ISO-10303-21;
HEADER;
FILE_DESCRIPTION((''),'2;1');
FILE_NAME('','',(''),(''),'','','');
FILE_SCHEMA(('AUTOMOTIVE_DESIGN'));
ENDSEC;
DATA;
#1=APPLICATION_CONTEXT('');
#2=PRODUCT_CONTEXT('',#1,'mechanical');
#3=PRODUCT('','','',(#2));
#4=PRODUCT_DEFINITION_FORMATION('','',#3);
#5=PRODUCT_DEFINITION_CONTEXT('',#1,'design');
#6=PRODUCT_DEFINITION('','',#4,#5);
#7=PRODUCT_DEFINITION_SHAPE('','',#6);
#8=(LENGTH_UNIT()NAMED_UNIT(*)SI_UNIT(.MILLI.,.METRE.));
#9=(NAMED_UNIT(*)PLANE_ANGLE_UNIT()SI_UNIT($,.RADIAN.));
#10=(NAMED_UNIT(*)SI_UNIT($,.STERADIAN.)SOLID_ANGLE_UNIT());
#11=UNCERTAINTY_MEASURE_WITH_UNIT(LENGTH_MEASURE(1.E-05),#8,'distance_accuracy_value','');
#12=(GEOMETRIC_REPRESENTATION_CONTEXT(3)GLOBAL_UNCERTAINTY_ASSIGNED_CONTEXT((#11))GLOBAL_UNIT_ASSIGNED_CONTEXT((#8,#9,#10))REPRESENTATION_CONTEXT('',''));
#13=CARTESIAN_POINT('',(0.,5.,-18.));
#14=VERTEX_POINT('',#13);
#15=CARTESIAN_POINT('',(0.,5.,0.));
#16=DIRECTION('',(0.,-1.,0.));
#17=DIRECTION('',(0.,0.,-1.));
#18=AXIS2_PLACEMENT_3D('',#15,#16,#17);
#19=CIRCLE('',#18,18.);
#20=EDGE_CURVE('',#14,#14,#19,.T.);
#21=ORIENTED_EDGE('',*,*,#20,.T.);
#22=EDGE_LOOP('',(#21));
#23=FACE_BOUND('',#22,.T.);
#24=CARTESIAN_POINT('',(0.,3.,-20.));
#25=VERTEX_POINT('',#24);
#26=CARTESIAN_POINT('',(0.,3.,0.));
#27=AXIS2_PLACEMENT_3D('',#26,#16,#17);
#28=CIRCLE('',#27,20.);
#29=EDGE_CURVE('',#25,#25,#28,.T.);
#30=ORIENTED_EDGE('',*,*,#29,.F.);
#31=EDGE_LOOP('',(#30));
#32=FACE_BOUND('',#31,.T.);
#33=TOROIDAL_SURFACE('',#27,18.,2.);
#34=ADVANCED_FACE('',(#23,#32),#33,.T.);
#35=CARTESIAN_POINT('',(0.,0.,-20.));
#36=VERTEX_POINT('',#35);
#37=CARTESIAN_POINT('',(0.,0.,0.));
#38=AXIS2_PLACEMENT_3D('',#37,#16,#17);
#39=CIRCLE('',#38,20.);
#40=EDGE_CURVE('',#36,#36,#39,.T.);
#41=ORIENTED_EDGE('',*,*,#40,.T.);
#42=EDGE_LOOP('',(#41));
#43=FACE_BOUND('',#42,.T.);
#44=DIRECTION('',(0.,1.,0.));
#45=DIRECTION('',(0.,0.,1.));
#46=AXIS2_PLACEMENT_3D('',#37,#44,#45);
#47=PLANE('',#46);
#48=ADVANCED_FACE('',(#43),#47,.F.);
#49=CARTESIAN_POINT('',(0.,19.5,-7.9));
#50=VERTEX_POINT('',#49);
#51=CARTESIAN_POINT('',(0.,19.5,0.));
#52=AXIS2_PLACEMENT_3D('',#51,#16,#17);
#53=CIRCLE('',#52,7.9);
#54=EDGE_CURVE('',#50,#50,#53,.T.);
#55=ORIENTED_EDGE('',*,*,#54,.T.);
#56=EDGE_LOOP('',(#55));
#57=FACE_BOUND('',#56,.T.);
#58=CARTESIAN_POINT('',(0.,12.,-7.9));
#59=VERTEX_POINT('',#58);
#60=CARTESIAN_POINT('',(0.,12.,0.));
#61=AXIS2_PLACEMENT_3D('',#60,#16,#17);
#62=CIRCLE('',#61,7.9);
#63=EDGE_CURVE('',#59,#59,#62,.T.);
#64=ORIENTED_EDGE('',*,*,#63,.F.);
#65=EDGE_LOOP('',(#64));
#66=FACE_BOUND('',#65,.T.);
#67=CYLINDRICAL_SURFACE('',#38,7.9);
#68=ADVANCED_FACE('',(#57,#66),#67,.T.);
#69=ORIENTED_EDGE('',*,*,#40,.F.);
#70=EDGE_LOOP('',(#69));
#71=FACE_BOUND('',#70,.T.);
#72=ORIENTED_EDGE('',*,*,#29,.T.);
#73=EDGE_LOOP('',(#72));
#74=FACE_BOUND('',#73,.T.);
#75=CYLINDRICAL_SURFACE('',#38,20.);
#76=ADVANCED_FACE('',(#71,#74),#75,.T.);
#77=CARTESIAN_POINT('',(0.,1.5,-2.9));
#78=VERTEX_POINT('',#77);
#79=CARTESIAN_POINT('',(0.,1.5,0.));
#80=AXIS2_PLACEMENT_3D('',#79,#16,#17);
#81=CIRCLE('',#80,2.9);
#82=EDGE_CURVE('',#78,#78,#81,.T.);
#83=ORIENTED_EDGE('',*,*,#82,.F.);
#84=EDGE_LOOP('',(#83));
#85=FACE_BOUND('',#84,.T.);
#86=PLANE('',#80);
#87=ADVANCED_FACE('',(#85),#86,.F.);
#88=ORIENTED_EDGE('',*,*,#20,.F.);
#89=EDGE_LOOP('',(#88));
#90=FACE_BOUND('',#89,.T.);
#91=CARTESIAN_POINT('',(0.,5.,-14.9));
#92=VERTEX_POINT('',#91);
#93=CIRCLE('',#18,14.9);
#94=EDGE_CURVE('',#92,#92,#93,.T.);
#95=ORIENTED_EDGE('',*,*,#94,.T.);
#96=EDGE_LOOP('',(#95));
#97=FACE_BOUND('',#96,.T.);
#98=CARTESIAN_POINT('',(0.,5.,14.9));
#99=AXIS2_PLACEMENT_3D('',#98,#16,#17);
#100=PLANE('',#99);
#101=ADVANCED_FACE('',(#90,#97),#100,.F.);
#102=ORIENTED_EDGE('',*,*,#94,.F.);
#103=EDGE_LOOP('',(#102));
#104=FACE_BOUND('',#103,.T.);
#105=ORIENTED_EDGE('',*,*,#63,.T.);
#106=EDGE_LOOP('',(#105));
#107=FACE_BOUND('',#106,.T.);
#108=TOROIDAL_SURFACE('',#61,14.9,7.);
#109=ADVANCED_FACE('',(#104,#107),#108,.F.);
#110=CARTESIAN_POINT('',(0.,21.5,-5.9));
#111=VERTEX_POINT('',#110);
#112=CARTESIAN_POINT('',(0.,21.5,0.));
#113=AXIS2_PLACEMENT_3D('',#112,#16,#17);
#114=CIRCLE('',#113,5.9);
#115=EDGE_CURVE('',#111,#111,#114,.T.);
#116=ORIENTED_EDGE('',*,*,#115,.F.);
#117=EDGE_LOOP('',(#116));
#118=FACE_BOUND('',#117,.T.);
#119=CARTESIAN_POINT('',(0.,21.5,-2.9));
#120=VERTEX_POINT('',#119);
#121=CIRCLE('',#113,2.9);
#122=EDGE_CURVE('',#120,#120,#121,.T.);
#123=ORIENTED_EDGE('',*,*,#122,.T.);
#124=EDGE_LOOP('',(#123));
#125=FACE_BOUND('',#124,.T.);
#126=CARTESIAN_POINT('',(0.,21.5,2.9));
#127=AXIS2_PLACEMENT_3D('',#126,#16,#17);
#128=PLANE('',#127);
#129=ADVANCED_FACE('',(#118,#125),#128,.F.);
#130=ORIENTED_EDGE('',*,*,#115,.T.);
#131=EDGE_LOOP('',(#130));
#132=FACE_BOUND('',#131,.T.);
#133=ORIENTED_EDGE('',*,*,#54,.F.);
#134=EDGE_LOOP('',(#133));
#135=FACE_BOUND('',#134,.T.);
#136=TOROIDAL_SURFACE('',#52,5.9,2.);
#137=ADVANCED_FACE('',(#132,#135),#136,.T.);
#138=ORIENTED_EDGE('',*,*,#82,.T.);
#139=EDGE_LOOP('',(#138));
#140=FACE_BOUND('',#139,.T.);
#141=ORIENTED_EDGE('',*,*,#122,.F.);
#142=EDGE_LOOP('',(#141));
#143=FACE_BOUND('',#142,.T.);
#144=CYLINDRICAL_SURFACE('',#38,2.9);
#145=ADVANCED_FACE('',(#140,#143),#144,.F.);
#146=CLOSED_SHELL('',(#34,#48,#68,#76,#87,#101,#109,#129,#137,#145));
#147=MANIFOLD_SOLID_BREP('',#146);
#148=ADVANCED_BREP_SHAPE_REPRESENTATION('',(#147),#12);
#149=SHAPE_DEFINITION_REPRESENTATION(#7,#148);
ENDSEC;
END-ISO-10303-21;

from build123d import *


with BuildPart() as part:
    # Sketch2 → Revolve1 (revolve)
    with BuildSketch(Plane(origin=(0, 0, 0), x_dir=(0, 0, -1), z_dir=(1, 0, 0)), mode=Mode.PRIVATE) as revolve1_sk:
        with BuildLine():
            Line((0, 0), (-20, 0))
            Line((-20, 0), (-20, 3))
            ThreePointArc((-20, 3), (-19.414213562, 4.414213562), (-18, 5))
            Line((-18, 5), (-14.9, 5))
            ThreePointArc((-14.9, 5), (-9.950252532, 7.050252532), (-7.9, 12))
            Line((-7.9, 12), (-7.9, 19.5))
            ThreePointArc((-7.9, 19.5), (-7.314213562, 20.914213562), (-5.9, 21.5))
            Line((-5.9, 21.5), (-2.9, 21.5))
            Line((-2.9, 21.5), (-2.9, 1.5))
            Line((-2.9, 1.5), (0, 1.5))
            Line((0, 1.5), (0, 0))
        make_face()
    revolve(revolve1_sk.sketch.rotate(Axis((0, 0, 0), (0, 1, 0)), 180), axis=Axis((0, 0, 0), (0, 1, 0)))


solid = part.part
